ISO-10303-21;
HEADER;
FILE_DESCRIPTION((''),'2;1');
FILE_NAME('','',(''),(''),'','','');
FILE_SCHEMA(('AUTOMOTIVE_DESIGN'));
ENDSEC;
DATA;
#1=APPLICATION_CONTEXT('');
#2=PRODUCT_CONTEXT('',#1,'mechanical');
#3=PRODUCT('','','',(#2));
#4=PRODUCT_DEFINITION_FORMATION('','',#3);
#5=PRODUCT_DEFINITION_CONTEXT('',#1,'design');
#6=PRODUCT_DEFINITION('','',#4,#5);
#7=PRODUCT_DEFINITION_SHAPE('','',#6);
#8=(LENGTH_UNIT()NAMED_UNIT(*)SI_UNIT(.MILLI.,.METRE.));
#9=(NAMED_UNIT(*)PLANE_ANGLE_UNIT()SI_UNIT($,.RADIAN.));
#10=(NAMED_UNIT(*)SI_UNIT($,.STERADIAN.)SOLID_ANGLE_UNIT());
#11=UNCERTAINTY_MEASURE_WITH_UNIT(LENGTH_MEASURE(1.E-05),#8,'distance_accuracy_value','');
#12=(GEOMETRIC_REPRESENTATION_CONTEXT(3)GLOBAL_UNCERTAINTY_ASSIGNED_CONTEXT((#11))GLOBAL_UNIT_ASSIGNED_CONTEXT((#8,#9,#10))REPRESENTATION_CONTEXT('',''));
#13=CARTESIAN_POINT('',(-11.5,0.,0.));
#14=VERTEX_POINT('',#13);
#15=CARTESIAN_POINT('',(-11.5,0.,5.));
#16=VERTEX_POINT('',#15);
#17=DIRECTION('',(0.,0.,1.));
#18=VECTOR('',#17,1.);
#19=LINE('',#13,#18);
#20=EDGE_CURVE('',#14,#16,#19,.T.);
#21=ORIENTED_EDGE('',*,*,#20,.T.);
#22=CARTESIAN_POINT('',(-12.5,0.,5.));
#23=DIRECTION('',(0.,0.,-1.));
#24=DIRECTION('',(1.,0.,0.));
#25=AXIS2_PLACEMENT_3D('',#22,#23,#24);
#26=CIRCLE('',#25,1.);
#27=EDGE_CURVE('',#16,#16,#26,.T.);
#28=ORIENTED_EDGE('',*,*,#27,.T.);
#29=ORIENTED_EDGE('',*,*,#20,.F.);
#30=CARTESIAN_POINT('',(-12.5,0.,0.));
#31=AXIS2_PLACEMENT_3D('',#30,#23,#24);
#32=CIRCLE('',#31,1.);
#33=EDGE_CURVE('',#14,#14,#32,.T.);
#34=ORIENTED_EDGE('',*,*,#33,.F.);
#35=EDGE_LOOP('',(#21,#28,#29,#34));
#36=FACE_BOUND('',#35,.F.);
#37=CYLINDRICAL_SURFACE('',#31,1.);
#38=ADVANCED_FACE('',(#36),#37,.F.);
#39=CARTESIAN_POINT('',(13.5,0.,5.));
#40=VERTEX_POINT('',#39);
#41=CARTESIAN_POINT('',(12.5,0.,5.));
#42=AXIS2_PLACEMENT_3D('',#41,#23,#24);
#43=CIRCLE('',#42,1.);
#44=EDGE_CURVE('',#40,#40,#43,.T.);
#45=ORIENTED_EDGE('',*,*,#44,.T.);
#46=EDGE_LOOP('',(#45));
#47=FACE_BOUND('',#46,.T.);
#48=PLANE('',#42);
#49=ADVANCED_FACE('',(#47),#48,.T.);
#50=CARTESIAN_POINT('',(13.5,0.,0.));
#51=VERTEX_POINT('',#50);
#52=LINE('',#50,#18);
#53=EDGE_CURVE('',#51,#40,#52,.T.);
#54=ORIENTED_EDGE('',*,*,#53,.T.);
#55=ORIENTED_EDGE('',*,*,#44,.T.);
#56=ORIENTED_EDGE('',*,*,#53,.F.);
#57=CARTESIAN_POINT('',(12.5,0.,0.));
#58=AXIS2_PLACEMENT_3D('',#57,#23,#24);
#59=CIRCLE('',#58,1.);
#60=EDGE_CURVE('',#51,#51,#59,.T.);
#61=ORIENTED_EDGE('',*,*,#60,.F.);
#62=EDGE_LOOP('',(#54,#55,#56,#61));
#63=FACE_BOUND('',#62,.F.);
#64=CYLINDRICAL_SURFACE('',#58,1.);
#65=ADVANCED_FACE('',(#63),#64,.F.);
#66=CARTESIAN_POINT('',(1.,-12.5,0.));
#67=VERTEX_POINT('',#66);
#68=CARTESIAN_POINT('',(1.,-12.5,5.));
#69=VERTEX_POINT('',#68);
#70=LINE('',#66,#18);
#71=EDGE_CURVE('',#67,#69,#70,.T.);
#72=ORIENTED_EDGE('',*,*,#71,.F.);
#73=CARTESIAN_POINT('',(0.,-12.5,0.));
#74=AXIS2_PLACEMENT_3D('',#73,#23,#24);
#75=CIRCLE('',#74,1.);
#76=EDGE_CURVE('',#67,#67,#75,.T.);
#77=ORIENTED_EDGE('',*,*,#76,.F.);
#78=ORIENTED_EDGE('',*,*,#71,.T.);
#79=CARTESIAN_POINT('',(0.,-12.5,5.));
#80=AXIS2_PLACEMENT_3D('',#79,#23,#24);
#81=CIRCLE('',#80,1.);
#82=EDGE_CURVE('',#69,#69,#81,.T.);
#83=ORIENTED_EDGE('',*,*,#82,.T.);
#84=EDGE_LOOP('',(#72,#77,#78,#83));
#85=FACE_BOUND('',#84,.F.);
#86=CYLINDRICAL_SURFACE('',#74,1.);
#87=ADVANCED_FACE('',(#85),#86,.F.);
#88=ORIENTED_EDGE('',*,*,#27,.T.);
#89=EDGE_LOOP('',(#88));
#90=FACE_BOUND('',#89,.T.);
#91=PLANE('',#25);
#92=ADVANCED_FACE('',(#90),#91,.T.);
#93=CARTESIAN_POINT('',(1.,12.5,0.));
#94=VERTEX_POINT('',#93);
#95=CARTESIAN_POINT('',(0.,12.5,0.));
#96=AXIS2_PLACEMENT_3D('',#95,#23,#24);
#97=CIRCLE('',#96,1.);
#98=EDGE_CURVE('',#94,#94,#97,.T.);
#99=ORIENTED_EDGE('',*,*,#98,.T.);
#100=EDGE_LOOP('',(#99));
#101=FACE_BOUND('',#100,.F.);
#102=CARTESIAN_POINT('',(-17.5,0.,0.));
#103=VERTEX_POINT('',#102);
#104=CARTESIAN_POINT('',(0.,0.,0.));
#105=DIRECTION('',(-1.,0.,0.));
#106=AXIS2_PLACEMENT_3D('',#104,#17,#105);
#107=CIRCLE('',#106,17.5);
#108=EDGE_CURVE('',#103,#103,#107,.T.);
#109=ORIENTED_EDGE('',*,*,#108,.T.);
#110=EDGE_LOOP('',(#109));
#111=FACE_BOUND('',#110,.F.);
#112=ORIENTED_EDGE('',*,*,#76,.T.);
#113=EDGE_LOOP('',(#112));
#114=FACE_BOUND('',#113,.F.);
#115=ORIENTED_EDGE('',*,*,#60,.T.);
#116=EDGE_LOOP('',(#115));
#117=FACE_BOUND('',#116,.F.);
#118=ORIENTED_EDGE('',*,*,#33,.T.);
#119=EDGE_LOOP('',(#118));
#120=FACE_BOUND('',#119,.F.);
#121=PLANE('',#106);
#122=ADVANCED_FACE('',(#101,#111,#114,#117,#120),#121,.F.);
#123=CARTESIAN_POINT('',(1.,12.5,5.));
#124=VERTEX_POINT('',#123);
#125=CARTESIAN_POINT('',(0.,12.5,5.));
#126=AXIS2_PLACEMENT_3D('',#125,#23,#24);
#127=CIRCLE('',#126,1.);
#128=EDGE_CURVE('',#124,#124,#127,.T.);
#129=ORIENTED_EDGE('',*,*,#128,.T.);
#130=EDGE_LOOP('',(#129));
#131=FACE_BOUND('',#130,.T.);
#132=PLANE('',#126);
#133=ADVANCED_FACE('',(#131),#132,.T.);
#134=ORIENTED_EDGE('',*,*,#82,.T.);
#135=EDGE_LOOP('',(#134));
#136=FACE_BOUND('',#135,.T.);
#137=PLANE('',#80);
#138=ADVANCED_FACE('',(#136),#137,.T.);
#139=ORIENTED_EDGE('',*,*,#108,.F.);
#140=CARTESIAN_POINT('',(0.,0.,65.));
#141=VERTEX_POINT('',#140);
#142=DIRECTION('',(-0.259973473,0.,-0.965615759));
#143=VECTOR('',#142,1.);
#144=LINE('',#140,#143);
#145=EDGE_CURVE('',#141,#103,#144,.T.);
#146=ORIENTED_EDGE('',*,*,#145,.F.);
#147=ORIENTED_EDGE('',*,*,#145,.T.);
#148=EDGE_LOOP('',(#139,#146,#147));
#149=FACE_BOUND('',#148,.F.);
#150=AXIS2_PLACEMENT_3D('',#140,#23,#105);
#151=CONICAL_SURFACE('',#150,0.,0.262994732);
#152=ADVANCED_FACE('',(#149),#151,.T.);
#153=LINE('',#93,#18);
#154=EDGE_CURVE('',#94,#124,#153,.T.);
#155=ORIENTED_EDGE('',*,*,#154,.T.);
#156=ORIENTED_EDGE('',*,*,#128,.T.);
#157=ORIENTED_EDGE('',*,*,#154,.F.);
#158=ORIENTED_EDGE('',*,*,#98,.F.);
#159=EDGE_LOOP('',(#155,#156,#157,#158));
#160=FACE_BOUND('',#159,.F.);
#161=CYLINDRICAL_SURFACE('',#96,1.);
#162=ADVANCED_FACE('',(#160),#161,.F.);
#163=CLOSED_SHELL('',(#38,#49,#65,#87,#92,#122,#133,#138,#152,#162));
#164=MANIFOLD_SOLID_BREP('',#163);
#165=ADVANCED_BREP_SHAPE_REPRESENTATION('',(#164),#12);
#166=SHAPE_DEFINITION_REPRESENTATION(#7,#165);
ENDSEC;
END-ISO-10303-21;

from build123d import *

# Parameters (mm, degrees)
F2_R     = 1
F3_DEPTH = 5


with BuildPart() as f1:
    # F0 (on Front) → F1 (revolve)
    with BuildSketch(Plane.XZ):
        Polygon((-17.5, 0), (0, 0), (0, 65), align=None)
    revolve(axis=Axis((0, 0, 32.5), (0, 0, 1)))

    # F2 (on face) → F3 (cut)
    with BuildSketch(Plane(origin=(0, 0, 0), x_dir=(1, 0, 0), z_dir=(0, 0, -1))):
        with Locations((0, -12.5)):
            Circle(F2_R)
        with Locations((-12.5, 0)):
            Circle(F2_R)
        with Locations((0, 12.5)):
            Circle(F2_R)
        with Locations((12.5, 0)):
            Circle(F2_R)
    extrude(amount=-F3_DEPTH, mode=Mode.SUBTRACT)


solid = f1.part
